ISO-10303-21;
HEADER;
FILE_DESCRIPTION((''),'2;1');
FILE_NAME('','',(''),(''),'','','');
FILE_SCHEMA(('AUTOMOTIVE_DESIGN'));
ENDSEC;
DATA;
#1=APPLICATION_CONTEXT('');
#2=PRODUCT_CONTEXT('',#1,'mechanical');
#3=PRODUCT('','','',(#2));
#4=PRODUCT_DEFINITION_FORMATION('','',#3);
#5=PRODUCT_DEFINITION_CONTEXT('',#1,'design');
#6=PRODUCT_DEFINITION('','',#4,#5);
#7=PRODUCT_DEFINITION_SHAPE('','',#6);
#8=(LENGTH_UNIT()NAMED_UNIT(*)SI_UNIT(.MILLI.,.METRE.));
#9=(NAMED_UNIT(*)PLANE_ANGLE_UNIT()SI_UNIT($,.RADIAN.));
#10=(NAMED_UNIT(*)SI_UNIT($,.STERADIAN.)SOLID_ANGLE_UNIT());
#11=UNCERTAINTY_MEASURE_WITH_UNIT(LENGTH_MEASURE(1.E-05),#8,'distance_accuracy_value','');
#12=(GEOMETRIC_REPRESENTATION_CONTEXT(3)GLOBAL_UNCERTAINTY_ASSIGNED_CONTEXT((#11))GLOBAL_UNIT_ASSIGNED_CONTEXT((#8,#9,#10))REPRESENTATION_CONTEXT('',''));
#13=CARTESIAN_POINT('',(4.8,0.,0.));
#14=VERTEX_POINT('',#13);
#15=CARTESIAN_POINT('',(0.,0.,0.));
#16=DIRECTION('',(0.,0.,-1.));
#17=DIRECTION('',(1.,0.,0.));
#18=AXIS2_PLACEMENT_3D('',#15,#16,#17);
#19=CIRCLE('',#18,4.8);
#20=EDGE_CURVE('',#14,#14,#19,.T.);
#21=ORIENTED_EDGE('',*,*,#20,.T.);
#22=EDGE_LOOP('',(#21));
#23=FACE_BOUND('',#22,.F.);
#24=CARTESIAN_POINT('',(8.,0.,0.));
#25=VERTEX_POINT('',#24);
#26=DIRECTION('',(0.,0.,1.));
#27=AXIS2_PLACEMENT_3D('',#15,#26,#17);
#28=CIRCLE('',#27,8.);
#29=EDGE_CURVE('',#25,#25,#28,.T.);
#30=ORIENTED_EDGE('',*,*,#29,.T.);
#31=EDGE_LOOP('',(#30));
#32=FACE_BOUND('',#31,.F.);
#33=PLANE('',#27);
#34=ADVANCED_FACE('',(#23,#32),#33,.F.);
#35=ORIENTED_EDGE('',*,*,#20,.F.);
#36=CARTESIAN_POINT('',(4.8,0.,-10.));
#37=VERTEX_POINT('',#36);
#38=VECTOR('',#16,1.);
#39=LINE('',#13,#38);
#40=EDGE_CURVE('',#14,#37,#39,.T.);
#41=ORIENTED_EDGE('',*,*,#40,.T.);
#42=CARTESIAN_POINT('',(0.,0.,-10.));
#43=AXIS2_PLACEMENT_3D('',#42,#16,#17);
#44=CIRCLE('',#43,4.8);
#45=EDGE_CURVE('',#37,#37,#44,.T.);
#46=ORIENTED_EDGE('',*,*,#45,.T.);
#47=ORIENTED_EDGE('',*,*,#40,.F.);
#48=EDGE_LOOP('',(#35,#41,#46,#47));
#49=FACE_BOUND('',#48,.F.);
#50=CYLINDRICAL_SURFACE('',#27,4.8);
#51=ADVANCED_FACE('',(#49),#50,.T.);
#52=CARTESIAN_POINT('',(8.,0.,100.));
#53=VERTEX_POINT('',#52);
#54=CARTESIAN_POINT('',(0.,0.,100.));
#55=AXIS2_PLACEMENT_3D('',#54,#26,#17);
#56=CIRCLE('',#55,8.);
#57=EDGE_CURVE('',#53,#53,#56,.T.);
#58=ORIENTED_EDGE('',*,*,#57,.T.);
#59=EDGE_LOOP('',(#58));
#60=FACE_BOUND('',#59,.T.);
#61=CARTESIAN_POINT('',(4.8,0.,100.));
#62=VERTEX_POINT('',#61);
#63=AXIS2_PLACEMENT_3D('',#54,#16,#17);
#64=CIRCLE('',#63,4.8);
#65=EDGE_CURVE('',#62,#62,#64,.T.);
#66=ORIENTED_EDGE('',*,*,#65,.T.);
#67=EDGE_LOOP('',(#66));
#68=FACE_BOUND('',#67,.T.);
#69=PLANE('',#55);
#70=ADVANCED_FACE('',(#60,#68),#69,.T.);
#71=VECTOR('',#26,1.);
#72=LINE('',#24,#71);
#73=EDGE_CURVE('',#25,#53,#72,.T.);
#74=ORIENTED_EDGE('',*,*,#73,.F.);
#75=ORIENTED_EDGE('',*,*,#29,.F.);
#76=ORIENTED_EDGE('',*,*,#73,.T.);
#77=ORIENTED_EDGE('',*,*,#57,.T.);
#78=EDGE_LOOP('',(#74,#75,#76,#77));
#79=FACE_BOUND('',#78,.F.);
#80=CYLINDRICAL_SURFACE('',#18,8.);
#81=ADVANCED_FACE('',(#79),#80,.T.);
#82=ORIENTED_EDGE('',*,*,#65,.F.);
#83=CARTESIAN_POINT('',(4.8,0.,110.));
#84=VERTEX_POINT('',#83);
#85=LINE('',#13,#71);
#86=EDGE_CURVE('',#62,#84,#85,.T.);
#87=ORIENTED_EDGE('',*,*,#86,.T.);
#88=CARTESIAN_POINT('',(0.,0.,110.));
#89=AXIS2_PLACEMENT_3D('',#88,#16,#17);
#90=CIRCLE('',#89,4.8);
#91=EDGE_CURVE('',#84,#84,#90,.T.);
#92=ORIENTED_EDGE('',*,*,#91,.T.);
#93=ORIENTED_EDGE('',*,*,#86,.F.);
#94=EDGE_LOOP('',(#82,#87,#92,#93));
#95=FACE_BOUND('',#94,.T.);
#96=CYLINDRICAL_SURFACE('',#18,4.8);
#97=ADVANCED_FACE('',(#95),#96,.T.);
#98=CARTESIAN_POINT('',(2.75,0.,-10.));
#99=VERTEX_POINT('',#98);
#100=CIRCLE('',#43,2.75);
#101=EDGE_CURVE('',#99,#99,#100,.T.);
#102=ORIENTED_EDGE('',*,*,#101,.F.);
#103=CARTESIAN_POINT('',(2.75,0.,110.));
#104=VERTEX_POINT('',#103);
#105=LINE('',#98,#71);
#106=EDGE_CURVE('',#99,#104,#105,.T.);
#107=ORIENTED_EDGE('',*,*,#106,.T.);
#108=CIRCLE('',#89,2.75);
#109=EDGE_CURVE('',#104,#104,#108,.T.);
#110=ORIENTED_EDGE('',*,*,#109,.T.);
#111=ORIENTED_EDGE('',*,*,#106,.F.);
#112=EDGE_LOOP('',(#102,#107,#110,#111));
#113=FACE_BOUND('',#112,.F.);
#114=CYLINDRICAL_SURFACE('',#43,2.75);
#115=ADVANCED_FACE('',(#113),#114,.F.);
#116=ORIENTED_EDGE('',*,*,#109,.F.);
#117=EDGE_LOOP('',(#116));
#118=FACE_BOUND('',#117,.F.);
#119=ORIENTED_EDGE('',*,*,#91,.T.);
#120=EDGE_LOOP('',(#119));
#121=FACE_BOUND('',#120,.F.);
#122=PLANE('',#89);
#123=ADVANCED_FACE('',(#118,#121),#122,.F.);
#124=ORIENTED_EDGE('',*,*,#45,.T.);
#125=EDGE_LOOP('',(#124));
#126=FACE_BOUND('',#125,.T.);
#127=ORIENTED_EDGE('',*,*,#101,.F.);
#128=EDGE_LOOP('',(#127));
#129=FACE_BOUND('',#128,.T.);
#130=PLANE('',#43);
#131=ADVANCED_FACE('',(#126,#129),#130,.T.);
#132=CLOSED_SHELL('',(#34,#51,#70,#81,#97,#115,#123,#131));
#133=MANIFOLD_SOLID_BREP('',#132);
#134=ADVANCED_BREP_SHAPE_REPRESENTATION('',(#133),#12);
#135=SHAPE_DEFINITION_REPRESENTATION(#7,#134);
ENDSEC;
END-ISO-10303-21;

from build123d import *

# Parameters (mm, degrees)
SKETCH_R          = 8
PAD_DEPTH         = 100
SKETCH001_R       = 4.8
PAD001_DEPTH      = 10
PAD001_DEPTH_BACK = 110
SKETCH002_R       = 2.75
POCKET_DEPTH      = 120.001


with BuildPart() as part:
    # Sketch → Pad (new body)
    with BuildSketch(Plane.XY):
        Circle(SKETCH_R)
    extrude(amount=PAD_DEPTH)

    # Sketch001 → Pad001 (new body, two sides)
    with BuildSketch(Plane(origin=(0, 0, 0), x_dir=(1, 0, 0), z_dir=(0, 0, -1))) as pad001_sk:
        Circle(SKETCH001_R)
    extrude(amount=PAD001_DEPTH)
    extrude(pad001_sk.sketch, amount=-PAD001_DEPTH_BACK)

    # Sketch002 → Pocket (cut, through all)
    with BuildSketch(Plane(origin=(0, 0, -10), x_dir=(1, 0, 0), z_dir=(0, 0, -1))):
        Circle(SKETCH002_R)
    extrude(amount=-POCKET_DEPTH, mode=Mode.SUBTRACT)


solid = part.part
